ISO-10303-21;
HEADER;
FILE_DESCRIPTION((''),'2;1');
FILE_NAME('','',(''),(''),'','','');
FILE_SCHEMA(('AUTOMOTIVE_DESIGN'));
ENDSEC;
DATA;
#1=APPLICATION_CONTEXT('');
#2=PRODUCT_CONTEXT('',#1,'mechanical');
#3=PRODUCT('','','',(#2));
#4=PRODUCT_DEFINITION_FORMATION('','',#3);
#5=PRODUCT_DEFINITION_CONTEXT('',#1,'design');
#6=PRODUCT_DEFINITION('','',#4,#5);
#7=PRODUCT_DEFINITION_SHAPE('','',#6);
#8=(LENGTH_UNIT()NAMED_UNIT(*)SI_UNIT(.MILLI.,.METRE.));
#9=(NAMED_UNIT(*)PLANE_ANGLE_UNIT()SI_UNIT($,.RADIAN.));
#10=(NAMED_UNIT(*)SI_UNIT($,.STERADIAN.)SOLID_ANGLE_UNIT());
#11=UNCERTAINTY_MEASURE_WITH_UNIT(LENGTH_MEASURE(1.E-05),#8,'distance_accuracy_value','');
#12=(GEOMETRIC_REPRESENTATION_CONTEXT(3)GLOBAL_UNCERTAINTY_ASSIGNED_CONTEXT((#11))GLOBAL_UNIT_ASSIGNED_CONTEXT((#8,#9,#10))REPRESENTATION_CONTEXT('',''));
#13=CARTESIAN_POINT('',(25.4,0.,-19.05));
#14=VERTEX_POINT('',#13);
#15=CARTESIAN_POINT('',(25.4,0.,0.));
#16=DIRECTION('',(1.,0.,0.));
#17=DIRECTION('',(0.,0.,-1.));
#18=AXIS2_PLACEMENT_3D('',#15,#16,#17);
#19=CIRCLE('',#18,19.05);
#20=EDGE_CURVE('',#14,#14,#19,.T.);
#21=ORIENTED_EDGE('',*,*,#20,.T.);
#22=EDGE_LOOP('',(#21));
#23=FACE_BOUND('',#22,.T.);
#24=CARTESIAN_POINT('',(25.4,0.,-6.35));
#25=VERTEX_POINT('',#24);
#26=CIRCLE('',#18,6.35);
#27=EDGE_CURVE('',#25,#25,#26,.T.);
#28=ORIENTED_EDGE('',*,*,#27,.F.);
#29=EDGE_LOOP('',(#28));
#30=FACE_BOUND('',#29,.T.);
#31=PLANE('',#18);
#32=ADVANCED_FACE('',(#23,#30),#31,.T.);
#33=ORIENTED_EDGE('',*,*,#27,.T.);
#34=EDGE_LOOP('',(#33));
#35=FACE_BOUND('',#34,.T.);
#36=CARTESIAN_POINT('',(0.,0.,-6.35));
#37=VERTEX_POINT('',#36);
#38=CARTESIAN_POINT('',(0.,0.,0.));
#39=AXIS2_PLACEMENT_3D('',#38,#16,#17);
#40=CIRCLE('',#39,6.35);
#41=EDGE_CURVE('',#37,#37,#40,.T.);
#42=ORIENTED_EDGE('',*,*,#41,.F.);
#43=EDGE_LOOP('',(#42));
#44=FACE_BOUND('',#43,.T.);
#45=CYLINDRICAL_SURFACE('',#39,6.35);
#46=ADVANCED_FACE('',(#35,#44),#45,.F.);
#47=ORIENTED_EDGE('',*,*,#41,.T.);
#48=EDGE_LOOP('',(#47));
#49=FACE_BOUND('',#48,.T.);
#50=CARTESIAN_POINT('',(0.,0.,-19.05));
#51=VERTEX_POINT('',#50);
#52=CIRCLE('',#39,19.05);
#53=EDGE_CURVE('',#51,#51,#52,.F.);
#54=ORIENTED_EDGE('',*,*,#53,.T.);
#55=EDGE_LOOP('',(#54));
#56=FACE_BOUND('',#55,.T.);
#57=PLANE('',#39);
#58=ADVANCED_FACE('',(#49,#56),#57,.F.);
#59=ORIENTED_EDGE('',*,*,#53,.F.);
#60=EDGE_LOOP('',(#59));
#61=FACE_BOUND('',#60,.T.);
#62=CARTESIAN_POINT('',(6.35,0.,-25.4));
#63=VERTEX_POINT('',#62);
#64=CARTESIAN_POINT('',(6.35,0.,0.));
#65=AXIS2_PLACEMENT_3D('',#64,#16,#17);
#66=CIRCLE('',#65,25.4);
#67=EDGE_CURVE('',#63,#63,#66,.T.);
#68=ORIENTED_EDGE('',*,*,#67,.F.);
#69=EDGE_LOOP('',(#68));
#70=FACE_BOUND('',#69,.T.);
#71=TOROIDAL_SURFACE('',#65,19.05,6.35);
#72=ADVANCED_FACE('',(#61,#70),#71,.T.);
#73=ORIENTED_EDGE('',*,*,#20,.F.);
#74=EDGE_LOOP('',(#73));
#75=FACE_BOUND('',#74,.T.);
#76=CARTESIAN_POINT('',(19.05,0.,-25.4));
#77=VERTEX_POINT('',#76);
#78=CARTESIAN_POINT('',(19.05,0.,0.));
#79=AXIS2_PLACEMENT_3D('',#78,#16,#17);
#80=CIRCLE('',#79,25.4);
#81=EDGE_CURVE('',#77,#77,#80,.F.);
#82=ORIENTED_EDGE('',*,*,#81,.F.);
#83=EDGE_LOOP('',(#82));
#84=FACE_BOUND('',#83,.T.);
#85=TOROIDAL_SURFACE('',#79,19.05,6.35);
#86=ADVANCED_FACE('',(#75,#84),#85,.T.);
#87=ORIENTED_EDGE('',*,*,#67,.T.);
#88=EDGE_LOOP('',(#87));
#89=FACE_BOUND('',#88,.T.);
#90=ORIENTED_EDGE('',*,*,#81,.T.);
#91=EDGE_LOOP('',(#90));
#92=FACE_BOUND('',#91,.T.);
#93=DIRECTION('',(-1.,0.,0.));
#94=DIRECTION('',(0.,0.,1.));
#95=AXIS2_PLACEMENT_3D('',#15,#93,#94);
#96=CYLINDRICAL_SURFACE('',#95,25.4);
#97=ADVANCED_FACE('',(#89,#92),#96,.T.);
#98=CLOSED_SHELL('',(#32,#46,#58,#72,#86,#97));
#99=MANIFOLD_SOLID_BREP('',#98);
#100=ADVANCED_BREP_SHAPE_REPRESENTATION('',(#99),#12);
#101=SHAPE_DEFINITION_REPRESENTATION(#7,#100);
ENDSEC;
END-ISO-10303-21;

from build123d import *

# Parameters (mm, degrees)
SKETCH2_R           = 25.4
BOSS_EXTRUDE1_DEPTH = 25.4
FILLET1_R           = 6.35
SKETCH3_R           = 6.35
CUT_EXTRUDE1_DEPTH  = 25.4


with BuildPart() as part:
    # Sketch2 → Boss-Extrude1 (new body)
    with BuildSketch(Plane(origin=(0, 0, 0), x_dir=(0, 0, -1), z_dir=(1, 0, 0))):
        Circle(SKETCH2_R)
    extrude(amount=BOSS_EXTRUDE1_DEPTH)

    # Fillet1
    fillet1_edges = [part.edges().sort_by_distance(p)[0] for p in [
        (0, 0, 25.4),
        (25.4, 0, 25.4),
    ]]
    fillet(fillet1_edges, radius=FILLET1_R)

    # Sketch3 → Cut-Extrude1 (cut)
    with BuildSketch(Plane(origin=(25.4, 0, 0), x_dir=(0, 0, -1), z_dir=(1, 0, 0))):
        Circle(SKETCH3_R)
    extrude(amount=-CUT_EXTRUDE1_DEPTH, mode=Mode.SUBTRACT)


solid = part.part
